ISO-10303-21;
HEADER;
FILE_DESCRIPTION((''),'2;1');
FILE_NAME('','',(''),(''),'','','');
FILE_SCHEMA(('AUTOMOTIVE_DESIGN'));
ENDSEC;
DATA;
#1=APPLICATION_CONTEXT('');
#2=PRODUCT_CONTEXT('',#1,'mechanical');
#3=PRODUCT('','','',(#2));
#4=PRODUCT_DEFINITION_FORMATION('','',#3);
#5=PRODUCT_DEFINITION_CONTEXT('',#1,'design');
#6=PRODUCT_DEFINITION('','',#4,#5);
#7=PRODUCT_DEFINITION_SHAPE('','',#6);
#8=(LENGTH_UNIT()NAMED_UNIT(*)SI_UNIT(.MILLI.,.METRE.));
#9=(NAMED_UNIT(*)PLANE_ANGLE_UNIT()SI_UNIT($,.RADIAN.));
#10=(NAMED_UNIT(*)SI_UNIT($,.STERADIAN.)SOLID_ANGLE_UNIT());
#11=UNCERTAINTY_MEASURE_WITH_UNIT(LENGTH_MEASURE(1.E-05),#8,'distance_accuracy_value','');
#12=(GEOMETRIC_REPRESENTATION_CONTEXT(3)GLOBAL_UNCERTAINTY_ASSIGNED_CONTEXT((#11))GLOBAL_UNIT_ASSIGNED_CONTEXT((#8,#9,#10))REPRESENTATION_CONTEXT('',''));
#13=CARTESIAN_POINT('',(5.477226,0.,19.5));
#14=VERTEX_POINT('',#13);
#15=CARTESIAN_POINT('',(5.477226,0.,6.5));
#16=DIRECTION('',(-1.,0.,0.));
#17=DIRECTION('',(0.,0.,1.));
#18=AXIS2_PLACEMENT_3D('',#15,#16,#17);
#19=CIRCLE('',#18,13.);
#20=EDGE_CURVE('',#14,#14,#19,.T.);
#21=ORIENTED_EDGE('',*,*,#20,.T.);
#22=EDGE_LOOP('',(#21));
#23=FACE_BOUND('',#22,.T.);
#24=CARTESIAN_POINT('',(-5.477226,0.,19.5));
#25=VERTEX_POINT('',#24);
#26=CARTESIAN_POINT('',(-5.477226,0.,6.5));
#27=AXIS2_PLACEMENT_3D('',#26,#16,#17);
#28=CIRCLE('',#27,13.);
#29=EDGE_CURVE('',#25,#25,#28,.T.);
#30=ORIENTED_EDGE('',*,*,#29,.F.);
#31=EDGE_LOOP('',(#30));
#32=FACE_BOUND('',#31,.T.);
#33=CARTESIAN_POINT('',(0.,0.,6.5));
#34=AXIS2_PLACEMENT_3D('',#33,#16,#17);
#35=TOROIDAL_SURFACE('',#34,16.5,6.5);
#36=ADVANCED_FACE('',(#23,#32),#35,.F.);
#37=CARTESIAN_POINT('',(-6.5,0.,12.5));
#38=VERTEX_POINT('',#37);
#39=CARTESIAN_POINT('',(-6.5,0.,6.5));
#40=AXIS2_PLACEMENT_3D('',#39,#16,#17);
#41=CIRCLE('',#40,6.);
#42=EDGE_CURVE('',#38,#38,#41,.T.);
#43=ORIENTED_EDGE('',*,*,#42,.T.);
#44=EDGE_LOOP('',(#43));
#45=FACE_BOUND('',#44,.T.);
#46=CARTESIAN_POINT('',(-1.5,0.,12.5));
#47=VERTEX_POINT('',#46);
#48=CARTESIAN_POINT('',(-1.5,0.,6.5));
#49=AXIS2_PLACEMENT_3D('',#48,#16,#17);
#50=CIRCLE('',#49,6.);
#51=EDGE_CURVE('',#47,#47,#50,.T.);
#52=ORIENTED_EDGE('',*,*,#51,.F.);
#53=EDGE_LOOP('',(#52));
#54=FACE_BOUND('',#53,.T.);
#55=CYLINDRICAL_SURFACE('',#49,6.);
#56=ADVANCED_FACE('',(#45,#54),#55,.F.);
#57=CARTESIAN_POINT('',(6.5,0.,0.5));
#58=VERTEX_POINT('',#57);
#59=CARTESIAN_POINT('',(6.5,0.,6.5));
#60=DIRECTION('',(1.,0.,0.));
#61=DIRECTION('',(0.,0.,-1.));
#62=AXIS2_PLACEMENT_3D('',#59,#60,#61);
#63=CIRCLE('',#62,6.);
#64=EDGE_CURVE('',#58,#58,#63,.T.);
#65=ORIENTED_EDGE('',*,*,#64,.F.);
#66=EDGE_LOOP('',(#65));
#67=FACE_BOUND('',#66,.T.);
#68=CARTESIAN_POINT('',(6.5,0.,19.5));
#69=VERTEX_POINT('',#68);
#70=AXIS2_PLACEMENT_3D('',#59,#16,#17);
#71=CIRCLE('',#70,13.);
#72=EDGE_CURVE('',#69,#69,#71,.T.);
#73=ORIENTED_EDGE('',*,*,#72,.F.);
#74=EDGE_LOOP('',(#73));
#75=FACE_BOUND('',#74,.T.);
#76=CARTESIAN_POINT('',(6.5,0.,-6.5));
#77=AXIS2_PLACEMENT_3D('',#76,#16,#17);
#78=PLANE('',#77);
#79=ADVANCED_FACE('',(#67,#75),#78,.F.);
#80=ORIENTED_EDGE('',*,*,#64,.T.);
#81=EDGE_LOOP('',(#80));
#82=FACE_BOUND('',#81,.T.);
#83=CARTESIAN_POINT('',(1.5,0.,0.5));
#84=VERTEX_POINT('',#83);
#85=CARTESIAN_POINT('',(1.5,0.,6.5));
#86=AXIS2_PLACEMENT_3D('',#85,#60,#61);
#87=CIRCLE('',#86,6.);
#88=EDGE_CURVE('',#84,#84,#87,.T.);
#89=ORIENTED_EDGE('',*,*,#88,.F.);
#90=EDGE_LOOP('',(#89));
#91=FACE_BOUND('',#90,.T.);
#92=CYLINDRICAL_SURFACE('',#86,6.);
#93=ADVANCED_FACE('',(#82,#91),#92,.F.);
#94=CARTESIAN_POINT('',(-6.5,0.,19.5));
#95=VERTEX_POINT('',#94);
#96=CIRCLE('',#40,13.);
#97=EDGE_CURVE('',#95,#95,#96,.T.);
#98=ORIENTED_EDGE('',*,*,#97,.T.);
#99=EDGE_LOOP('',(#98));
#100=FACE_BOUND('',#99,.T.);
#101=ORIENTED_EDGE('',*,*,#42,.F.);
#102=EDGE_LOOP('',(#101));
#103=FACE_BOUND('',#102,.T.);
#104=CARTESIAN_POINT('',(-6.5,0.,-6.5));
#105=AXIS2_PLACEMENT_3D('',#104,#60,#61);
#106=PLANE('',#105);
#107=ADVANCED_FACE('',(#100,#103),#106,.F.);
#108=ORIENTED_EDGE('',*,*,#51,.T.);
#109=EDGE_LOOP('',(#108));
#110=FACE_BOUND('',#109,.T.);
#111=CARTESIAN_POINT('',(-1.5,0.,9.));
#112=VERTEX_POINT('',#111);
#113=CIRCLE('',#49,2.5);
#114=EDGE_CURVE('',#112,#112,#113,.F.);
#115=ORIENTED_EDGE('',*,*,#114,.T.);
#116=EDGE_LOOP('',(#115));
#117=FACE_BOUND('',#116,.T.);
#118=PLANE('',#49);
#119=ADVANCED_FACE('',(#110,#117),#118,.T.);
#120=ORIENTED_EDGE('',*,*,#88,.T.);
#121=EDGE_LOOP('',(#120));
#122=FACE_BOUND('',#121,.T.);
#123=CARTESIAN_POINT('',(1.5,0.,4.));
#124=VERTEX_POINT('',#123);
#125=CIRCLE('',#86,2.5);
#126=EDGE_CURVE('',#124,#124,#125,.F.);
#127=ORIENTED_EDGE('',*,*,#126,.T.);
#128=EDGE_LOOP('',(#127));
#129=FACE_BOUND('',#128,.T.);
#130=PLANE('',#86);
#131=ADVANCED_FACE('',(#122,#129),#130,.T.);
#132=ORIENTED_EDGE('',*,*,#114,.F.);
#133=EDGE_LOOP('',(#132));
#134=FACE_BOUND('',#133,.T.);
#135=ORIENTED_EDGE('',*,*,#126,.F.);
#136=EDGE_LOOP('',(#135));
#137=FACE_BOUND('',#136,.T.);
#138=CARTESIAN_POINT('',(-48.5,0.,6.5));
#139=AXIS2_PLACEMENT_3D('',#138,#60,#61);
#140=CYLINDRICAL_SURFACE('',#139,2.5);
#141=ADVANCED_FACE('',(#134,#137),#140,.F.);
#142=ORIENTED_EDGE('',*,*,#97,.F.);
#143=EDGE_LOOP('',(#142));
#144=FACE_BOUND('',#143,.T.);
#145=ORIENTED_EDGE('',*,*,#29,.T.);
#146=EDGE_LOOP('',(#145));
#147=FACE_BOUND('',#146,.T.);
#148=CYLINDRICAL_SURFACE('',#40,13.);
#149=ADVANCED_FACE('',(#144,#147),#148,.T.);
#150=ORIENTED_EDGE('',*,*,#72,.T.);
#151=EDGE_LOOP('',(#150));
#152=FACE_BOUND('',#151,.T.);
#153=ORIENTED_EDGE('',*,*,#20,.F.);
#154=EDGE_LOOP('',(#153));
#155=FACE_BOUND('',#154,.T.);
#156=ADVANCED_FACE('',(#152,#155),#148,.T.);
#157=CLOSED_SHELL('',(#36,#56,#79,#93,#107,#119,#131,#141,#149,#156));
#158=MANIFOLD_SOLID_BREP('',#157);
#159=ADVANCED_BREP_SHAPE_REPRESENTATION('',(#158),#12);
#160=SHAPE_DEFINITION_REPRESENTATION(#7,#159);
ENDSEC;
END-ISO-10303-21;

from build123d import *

# Parameters (mm, degrees)
SKETCH_2_R          = 2.5
CUT_EXTRUDE_1_DEPTH = 55
SKETCH_3_R          = 6
CUT_EXTRUDE_2_DEPTH = 5
CUT_EXTRUDE_START   = -5
SKETCH_4_R          = 6
CUT_EXTRUDE_3_DEPTH = 5


with BuildPart() as part:
    # 草图1 → 旋转1 (revolve)
    with BuildSketch(Plane(origin=(0, 0, 0), x_dir=(1, 0, 0), z_dir=(0, 1, 0)), mode=Mode.PRIVATE) as revolve_1_sk:
        with BuildLine():
            Line((-6.5, 6.5), (-6.5, -6.5))
            Line((-6.5, -6.5), (6.5, -6.5))
            Line((6.5, -6.5), (6.5, 6.5))
            Line((6.5, 6.5), (5.477225575, 6.5))
            ThreePointArc((5.477225575, 6.5), (0, 3.5), (-5.477225575, 6.5))
            Line((-5.477225575, 6.5), (-6.5, 6.5))
        make_face()
    revolve(revolve_1_sk.sketch.rotate(Axis((-6.5, 0, 6.5), (1, 0, 0)), 180), axis=Axis((-6.5, 0, 6.5), (1, 0, 0)))

    # 草图2 → 切除-拉伸1 (cut)
    with BuildSketch(Plane(origin=(6.5, 0, 0), x_dir=(0, 0, -1), z_dir=(1, 0, 0))):
        with Locations((-6.5, 0)):
            Circle(SKETCH_2_R)
    extrude(amount=-CUT_EXTRUDE_1_DEPTH, mode=Mode.SUBTRACT)

    # 草图3 → 切除-拉伸2 (cut)
    with BuildSketch(Plane(origin=(6.5, 0, 0), x_dir=(0, 0, -1), z_dir=(1, 0, 0))):
        with Locations((-6.5, 0)):
            Circle(SKETCH_3_R)
    extrude(amount=-CUT_EXTRUDE_2_DEPTH, mode=Mode.SUBTRACT)

    # 草图4 → 切除-拉伸3 (cut)
    with BuildSketch(Plane.ZY.offset(6.5).offset(CUT_EXTRUDE_START)):
        with Locations(Location((6.5, 0, 0), (0, 0, 180))):
            Circle(SKETCH_4_R)
    extrude(amount=CUT_EXTRUDE_3_DEPTH, mode=Mode.SUBTRACT)


solid = part.part
